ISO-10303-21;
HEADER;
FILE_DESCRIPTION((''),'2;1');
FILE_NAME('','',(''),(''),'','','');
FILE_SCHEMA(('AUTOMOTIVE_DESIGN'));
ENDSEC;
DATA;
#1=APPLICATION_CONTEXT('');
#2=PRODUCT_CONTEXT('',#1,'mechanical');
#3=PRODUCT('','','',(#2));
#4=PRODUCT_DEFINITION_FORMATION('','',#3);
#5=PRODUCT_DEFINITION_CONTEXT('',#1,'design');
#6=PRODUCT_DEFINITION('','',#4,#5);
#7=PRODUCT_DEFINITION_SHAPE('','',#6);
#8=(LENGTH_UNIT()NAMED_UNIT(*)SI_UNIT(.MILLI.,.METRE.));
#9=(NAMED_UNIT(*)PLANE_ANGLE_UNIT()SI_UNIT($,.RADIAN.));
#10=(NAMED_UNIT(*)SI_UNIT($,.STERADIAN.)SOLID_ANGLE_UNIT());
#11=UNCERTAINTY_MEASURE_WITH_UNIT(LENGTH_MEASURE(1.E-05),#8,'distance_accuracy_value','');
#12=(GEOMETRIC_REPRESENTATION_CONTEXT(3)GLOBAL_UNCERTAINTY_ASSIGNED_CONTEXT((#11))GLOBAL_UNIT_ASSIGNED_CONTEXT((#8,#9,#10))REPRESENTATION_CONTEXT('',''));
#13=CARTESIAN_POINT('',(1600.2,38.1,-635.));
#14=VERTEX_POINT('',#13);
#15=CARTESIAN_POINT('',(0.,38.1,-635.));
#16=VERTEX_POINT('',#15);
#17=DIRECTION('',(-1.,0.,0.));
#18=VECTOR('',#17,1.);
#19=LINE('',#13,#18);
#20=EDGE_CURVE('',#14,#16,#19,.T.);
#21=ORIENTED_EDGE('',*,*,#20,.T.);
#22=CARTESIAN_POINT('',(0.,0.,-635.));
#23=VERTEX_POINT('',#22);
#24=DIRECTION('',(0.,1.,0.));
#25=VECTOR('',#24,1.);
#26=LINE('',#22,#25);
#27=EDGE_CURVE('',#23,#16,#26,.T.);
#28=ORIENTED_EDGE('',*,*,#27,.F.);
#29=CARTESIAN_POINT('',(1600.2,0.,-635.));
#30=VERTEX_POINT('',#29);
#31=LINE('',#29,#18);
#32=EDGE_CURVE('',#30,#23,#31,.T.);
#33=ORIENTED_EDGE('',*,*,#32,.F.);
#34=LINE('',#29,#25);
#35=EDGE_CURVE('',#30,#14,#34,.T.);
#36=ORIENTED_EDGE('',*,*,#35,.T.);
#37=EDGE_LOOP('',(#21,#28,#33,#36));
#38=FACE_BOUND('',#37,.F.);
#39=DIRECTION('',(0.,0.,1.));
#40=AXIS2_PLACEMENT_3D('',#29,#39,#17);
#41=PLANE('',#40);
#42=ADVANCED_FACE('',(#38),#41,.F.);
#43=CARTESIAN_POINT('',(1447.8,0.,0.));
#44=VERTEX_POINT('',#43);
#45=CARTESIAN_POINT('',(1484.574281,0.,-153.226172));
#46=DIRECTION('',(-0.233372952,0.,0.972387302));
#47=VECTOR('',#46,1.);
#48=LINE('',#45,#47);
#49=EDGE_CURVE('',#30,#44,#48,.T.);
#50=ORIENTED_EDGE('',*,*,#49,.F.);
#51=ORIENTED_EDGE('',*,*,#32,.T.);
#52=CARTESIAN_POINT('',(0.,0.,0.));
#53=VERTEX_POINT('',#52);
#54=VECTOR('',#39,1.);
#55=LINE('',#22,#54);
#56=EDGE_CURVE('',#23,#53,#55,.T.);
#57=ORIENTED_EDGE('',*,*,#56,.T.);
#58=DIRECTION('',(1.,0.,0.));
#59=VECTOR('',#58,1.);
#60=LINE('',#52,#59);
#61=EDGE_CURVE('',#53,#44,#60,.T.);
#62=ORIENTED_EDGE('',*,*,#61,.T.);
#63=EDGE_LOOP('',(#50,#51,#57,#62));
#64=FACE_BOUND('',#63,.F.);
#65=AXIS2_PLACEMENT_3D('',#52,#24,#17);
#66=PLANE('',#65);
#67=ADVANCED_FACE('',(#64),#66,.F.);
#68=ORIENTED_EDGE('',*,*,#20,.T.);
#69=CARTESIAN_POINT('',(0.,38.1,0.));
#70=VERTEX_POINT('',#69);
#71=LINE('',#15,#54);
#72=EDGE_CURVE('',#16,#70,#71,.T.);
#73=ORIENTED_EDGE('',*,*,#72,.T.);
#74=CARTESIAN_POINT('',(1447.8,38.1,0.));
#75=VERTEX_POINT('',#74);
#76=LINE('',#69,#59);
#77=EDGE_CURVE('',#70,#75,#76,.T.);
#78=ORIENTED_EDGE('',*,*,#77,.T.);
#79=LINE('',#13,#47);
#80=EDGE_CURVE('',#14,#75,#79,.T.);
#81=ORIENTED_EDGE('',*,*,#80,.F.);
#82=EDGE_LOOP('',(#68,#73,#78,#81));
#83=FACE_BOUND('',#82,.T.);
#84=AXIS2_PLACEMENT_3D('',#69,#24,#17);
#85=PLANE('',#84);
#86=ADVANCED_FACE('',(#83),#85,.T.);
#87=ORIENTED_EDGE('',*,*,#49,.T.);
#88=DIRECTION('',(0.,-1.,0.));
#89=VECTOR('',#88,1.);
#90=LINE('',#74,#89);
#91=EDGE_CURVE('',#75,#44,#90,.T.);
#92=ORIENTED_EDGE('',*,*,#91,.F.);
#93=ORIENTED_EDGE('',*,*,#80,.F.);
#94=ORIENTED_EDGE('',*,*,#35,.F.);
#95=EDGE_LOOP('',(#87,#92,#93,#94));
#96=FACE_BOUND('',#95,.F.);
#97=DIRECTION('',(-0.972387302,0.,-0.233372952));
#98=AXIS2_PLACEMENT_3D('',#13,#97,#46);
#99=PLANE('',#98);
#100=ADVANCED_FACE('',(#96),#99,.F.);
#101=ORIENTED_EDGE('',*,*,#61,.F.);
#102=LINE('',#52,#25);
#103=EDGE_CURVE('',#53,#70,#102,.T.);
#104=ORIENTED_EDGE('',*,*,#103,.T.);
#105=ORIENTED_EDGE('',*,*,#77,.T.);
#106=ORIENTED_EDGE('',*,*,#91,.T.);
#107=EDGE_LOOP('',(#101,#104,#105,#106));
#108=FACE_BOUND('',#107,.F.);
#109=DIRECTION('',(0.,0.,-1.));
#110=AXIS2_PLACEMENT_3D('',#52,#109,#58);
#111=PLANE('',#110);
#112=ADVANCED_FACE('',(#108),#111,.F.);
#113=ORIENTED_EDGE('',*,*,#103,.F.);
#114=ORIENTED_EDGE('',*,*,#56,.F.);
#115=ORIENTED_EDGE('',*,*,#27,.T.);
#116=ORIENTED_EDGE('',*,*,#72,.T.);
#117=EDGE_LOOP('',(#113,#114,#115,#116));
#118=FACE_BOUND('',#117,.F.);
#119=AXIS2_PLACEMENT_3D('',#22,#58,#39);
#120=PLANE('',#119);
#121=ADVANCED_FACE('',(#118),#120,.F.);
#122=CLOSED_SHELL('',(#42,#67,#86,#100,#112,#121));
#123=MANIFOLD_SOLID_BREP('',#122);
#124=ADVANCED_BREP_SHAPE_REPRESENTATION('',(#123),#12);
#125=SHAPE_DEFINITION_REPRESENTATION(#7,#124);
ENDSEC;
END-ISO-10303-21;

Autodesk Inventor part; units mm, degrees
ref_plane "YZ Plane" through (0, 0, 0) normal (1, 0, 0) x (0, 1, 0)
ref_plane "XZ Plane" through (0, 0, 0) normal (0, 1, 0) x (-1, 0, 0)
ref_plane "XY Plane" through (0, 0, 0) normal (0, 0, 1) x (1, 0, 0)
sketch "Sketch1" plane through (0, 0, 0) normal (0, 1, 0) x (-1, 0, 0)
  line L0 (0, 0) -> (-1600.2, 0)
  line L1 (-1600.2, 0) -> (-1600.2, -635)
  line L2 (-1600.2, -635) -> (0, -635)
  line L3 (0, -635) -> (0, 0)
  dimension "d6" = 635
  dimension "d10" = 1600.2
extrude "Extrusion1" add sketch "Sketch1" along normal blind 38.1
sketch "Sketch2" plane through (0, 38.1, 0) normal (0, 1, 0) x (1, 0, 0)
  line L0 (1600.2, 0) -> (1600.2, 635) projected
  line L1 (1600.2, 635) -> (1447.8, 0)
  line L2 (0, 0) -> (1600.2, 0) projected
  line L3 (1447.8, 0) -> (1600.2, 0)
  line L4 (1600.2, 0) -> (1600.2, 635)
  dimension "d11" = 152.4
extrude "Extrusion2" cut sketch "Sketch2" against normal through all
properties part number "Butcher_Block--1.5_x_24_x_42.75_in" material "Wood (Birch)"
